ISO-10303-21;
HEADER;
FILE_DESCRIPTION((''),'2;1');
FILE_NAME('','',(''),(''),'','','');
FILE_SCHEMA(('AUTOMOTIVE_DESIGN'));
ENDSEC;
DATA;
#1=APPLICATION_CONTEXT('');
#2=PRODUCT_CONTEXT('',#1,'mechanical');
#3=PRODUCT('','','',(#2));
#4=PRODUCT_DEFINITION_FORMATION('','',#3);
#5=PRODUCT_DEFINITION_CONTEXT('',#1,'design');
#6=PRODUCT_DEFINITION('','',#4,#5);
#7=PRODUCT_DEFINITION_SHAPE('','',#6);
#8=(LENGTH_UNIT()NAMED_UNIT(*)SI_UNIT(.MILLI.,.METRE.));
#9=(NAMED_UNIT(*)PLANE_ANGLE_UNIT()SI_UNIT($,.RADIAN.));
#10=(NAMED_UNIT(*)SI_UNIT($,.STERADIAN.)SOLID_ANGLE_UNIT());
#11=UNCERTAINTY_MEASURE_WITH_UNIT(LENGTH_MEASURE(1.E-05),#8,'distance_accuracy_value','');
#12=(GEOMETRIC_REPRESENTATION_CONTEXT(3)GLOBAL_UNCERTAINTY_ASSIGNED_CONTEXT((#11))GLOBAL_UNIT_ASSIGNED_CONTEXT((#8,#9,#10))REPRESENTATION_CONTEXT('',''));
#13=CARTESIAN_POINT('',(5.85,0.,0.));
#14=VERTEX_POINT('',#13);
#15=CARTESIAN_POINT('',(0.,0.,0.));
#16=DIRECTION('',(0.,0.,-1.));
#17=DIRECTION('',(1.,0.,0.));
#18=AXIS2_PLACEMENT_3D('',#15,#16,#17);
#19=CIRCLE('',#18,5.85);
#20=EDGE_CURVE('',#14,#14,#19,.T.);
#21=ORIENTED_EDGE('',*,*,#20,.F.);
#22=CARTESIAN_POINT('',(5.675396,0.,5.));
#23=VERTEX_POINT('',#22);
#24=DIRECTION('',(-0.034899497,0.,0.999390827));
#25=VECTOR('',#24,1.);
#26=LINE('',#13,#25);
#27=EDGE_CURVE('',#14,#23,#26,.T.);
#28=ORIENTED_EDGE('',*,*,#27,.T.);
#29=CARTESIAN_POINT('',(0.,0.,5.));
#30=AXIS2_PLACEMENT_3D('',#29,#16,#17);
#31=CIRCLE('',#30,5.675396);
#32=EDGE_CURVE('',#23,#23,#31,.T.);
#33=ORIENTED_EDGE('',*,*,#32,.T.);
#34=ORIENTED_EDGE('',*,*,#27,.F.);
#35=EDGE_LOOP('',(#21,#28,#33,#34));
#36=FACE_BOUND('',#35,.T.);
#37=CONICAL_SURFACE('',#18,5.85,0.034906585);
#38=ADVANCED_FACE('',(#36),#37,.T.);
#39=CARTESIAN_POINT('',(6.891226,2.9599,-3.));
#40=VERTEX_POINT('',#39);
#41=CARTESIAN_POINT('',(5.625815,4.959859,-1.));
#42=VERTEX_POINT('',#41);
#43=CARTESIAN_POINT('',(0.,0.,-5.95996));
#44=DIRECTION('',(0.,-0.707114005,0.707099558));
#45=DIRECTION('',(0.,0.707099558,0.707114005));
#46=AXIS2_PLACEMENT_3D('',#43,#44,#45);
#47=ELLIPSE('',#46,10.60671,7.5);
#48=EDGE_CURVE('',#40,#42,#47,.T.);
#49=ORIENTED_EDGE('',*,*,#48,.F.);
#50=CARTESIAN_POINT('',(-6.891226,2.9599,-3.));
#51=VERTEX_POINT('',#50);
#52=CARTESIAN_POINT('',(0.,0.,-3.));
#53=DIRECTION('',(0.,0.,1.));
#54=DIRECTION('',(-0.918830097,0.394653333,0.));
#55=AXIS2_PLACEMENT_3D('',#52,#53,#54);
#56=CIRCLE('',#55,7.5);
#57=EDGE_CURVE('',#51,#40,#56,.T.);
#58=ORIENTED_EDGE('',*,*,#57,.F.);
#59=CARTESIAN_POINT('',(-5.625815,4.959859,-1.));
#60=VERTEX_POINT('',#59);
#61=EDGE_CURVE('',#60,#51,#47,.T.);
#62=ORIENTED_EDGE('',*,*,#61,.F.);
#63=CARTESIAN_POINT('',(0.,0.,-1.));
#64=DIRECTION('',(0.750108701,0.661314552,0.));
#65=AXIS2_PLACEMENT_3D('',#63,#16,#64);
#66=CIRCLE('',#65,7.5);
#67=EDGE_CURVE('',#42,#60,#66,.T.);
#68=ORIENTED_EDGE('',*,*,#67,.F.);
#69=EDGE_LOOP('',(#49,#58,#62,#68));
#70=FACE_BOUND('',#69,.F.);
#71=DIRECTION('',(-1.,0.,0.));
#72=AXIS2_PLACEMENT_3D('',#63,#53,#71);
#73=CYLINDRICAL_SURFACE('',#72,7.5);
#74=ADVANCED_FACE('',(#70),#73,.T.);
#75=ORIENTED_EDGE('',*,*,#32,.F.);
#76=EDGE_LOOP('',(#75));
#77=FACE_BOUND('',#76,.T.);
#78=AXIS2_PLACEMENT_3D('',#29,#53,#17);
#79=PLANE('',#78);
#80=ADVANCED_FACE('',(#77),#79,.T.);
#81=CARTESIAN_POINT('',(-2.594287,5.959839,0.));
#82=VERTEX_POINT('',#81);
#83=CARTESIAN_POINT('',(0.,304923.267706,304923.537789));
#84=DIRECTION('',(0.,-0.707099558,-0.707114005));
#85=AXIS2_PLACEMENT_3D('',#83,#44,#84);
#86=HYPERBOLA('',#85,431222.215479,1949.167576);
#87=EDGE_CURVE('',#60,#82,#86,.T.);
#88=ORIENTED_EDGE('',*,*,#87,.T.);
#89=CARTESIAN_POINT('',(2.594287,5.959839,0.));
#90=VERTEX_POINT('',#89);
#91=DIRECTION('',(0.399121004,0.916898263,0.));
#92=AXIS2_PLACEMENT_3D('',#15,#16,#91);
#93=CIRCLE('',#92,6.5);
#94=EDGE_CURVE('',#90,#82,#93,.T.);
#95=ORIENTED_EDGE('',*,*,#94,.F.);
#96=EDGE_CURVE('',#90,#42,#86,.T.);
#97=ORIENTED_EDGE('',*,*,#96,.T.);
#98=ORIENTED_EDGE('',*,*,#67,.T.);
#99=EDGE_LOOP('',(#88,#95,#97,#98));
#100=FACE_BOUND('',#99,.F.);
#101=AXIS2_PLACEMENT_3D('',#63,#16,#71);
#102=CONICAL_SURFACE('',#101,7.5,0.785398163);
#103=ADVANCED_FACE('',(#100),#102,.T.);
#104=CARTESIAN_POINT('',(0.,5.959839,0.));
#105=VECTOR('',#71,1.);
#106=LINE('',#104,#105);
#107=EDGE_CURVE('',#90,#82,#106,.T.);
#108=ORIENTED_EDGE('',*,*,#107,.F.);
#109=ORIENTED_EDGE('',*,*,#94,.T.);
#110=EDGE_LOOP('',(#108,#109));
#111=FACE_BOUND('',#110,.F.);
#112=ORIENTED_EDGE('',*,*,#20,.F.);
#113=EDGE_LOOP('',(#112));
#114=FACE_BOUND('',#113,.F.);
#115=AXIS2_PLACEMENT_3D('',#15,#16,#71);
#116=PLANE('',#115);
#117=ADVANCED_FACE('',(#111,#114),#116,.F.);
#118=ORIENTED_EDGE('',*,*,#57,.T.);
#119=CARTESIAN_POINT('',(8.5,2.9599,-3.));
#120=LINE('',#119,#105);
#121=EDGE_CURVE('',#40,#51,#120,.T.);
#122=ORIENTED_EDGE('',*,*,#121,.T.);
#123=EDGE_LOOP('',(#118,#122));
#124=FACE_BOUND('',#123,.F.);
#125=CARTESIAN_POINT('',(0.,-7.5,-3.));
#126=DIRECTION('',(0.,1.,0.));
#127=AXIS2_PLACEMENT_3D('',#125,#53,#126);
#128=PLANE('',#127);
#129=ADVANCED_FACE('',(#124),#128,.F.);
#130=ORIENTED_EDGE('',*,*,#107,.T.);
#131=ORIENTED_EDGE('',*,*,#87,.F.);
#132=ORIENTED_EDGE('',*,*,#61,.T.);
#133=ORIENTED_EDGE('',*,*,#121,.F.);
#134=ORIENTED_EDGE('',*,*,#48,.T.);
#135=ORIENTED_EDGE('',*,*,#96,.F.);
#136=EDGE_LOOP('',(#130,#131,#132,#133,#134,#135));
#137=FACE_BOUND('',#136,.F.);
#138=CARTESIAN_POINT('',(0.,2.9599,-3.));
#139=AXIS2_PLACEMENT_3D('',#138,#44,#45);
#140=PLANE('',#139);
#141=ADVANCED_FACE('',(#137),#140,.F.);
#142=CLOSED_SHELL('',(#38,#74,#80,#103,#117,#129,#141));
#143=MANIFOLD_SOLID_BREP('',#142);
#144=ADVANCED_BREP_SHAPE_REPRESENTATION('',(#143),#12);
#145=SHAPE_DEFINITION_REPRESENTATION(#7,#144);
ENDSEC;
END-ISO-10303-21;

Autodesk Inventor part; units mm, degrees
ref_plane "YZ Plane" through (0, 0, 0) normal (1, 0, 0) x (0, 1, 0)
ref_plane "XZ Plane" through (0, 0, 0) normal (0, 1, 0) x (-1, 0, 0)
sketch "Skizze1" plane through (0, 0, 0) normal (0, 1, 0) x (-1, 0, 0)
  point P0 (0, 0)
sketch "Skizze2" plane through (0, 0, 0) normal (0, 0, 1) x (1, 0, 0)
  circle A0 centre (0, 0) radius 5.85
  dimension "d0" = 11.7
extrude "Extrusion1" add sketch "Skizze2" along normal blind 5 draft -2
sketch "Skizze3" plane through (0, 0, 0) normal (0, 0, -1) x (-1, 0, 0)
  circle A0 centre (0, 0) radius 7.5
  dimension "d3" = 15
extrude "Extrusion2" add sketch "Skizze3" along normal blind 1
sketch "Skizze4" plane through (0, 0, -1) normal (0, 0, -1) x (-1, 0, 0)
  circle A0 centre (0, 0) radius 7.5 projected
ref_plane "Arbeitsebene1" through (-5, -7, -5.9) normal (0, 0, 1) x (1, 0, 0)
extrude "Extrusion3" add sketch "Skizze4" along normal blind 4
chamfer "Fase1" distance 1 angle 45 1 edges at (7.5, 0, 0)
sketch "Skizze5" plane through (0, 0, 0) normal (1, 0, 0) x (0, 1, 0)
  line L0 (-7.5, -1) -> (-7.5, -5) projected
  line L1 (-7.5, -3) -> (2.9599, -3)
  line L2 (2.9599, -3) -> (7.8543, 1.8945)
  line L3 (7.8543, 1.8945) -> (7.8543, -11.1641)
  line L4 (7.8543, -11.1641) -> (-9.215, -10.2828)
  line L5 (-9.215, -10.2828) -> (-7.5, -3)
  point P0 (0, 0)
  dimension "d11" = 135
extrude "Extrusion4" cut sketch "Skizze5" along normal through all both and the other way through all
properties part number "tmp_20_Cube_Insert_Kinematic_Astromedia_30x40x90_pro_magnetic_M12lens_mirrormount"
